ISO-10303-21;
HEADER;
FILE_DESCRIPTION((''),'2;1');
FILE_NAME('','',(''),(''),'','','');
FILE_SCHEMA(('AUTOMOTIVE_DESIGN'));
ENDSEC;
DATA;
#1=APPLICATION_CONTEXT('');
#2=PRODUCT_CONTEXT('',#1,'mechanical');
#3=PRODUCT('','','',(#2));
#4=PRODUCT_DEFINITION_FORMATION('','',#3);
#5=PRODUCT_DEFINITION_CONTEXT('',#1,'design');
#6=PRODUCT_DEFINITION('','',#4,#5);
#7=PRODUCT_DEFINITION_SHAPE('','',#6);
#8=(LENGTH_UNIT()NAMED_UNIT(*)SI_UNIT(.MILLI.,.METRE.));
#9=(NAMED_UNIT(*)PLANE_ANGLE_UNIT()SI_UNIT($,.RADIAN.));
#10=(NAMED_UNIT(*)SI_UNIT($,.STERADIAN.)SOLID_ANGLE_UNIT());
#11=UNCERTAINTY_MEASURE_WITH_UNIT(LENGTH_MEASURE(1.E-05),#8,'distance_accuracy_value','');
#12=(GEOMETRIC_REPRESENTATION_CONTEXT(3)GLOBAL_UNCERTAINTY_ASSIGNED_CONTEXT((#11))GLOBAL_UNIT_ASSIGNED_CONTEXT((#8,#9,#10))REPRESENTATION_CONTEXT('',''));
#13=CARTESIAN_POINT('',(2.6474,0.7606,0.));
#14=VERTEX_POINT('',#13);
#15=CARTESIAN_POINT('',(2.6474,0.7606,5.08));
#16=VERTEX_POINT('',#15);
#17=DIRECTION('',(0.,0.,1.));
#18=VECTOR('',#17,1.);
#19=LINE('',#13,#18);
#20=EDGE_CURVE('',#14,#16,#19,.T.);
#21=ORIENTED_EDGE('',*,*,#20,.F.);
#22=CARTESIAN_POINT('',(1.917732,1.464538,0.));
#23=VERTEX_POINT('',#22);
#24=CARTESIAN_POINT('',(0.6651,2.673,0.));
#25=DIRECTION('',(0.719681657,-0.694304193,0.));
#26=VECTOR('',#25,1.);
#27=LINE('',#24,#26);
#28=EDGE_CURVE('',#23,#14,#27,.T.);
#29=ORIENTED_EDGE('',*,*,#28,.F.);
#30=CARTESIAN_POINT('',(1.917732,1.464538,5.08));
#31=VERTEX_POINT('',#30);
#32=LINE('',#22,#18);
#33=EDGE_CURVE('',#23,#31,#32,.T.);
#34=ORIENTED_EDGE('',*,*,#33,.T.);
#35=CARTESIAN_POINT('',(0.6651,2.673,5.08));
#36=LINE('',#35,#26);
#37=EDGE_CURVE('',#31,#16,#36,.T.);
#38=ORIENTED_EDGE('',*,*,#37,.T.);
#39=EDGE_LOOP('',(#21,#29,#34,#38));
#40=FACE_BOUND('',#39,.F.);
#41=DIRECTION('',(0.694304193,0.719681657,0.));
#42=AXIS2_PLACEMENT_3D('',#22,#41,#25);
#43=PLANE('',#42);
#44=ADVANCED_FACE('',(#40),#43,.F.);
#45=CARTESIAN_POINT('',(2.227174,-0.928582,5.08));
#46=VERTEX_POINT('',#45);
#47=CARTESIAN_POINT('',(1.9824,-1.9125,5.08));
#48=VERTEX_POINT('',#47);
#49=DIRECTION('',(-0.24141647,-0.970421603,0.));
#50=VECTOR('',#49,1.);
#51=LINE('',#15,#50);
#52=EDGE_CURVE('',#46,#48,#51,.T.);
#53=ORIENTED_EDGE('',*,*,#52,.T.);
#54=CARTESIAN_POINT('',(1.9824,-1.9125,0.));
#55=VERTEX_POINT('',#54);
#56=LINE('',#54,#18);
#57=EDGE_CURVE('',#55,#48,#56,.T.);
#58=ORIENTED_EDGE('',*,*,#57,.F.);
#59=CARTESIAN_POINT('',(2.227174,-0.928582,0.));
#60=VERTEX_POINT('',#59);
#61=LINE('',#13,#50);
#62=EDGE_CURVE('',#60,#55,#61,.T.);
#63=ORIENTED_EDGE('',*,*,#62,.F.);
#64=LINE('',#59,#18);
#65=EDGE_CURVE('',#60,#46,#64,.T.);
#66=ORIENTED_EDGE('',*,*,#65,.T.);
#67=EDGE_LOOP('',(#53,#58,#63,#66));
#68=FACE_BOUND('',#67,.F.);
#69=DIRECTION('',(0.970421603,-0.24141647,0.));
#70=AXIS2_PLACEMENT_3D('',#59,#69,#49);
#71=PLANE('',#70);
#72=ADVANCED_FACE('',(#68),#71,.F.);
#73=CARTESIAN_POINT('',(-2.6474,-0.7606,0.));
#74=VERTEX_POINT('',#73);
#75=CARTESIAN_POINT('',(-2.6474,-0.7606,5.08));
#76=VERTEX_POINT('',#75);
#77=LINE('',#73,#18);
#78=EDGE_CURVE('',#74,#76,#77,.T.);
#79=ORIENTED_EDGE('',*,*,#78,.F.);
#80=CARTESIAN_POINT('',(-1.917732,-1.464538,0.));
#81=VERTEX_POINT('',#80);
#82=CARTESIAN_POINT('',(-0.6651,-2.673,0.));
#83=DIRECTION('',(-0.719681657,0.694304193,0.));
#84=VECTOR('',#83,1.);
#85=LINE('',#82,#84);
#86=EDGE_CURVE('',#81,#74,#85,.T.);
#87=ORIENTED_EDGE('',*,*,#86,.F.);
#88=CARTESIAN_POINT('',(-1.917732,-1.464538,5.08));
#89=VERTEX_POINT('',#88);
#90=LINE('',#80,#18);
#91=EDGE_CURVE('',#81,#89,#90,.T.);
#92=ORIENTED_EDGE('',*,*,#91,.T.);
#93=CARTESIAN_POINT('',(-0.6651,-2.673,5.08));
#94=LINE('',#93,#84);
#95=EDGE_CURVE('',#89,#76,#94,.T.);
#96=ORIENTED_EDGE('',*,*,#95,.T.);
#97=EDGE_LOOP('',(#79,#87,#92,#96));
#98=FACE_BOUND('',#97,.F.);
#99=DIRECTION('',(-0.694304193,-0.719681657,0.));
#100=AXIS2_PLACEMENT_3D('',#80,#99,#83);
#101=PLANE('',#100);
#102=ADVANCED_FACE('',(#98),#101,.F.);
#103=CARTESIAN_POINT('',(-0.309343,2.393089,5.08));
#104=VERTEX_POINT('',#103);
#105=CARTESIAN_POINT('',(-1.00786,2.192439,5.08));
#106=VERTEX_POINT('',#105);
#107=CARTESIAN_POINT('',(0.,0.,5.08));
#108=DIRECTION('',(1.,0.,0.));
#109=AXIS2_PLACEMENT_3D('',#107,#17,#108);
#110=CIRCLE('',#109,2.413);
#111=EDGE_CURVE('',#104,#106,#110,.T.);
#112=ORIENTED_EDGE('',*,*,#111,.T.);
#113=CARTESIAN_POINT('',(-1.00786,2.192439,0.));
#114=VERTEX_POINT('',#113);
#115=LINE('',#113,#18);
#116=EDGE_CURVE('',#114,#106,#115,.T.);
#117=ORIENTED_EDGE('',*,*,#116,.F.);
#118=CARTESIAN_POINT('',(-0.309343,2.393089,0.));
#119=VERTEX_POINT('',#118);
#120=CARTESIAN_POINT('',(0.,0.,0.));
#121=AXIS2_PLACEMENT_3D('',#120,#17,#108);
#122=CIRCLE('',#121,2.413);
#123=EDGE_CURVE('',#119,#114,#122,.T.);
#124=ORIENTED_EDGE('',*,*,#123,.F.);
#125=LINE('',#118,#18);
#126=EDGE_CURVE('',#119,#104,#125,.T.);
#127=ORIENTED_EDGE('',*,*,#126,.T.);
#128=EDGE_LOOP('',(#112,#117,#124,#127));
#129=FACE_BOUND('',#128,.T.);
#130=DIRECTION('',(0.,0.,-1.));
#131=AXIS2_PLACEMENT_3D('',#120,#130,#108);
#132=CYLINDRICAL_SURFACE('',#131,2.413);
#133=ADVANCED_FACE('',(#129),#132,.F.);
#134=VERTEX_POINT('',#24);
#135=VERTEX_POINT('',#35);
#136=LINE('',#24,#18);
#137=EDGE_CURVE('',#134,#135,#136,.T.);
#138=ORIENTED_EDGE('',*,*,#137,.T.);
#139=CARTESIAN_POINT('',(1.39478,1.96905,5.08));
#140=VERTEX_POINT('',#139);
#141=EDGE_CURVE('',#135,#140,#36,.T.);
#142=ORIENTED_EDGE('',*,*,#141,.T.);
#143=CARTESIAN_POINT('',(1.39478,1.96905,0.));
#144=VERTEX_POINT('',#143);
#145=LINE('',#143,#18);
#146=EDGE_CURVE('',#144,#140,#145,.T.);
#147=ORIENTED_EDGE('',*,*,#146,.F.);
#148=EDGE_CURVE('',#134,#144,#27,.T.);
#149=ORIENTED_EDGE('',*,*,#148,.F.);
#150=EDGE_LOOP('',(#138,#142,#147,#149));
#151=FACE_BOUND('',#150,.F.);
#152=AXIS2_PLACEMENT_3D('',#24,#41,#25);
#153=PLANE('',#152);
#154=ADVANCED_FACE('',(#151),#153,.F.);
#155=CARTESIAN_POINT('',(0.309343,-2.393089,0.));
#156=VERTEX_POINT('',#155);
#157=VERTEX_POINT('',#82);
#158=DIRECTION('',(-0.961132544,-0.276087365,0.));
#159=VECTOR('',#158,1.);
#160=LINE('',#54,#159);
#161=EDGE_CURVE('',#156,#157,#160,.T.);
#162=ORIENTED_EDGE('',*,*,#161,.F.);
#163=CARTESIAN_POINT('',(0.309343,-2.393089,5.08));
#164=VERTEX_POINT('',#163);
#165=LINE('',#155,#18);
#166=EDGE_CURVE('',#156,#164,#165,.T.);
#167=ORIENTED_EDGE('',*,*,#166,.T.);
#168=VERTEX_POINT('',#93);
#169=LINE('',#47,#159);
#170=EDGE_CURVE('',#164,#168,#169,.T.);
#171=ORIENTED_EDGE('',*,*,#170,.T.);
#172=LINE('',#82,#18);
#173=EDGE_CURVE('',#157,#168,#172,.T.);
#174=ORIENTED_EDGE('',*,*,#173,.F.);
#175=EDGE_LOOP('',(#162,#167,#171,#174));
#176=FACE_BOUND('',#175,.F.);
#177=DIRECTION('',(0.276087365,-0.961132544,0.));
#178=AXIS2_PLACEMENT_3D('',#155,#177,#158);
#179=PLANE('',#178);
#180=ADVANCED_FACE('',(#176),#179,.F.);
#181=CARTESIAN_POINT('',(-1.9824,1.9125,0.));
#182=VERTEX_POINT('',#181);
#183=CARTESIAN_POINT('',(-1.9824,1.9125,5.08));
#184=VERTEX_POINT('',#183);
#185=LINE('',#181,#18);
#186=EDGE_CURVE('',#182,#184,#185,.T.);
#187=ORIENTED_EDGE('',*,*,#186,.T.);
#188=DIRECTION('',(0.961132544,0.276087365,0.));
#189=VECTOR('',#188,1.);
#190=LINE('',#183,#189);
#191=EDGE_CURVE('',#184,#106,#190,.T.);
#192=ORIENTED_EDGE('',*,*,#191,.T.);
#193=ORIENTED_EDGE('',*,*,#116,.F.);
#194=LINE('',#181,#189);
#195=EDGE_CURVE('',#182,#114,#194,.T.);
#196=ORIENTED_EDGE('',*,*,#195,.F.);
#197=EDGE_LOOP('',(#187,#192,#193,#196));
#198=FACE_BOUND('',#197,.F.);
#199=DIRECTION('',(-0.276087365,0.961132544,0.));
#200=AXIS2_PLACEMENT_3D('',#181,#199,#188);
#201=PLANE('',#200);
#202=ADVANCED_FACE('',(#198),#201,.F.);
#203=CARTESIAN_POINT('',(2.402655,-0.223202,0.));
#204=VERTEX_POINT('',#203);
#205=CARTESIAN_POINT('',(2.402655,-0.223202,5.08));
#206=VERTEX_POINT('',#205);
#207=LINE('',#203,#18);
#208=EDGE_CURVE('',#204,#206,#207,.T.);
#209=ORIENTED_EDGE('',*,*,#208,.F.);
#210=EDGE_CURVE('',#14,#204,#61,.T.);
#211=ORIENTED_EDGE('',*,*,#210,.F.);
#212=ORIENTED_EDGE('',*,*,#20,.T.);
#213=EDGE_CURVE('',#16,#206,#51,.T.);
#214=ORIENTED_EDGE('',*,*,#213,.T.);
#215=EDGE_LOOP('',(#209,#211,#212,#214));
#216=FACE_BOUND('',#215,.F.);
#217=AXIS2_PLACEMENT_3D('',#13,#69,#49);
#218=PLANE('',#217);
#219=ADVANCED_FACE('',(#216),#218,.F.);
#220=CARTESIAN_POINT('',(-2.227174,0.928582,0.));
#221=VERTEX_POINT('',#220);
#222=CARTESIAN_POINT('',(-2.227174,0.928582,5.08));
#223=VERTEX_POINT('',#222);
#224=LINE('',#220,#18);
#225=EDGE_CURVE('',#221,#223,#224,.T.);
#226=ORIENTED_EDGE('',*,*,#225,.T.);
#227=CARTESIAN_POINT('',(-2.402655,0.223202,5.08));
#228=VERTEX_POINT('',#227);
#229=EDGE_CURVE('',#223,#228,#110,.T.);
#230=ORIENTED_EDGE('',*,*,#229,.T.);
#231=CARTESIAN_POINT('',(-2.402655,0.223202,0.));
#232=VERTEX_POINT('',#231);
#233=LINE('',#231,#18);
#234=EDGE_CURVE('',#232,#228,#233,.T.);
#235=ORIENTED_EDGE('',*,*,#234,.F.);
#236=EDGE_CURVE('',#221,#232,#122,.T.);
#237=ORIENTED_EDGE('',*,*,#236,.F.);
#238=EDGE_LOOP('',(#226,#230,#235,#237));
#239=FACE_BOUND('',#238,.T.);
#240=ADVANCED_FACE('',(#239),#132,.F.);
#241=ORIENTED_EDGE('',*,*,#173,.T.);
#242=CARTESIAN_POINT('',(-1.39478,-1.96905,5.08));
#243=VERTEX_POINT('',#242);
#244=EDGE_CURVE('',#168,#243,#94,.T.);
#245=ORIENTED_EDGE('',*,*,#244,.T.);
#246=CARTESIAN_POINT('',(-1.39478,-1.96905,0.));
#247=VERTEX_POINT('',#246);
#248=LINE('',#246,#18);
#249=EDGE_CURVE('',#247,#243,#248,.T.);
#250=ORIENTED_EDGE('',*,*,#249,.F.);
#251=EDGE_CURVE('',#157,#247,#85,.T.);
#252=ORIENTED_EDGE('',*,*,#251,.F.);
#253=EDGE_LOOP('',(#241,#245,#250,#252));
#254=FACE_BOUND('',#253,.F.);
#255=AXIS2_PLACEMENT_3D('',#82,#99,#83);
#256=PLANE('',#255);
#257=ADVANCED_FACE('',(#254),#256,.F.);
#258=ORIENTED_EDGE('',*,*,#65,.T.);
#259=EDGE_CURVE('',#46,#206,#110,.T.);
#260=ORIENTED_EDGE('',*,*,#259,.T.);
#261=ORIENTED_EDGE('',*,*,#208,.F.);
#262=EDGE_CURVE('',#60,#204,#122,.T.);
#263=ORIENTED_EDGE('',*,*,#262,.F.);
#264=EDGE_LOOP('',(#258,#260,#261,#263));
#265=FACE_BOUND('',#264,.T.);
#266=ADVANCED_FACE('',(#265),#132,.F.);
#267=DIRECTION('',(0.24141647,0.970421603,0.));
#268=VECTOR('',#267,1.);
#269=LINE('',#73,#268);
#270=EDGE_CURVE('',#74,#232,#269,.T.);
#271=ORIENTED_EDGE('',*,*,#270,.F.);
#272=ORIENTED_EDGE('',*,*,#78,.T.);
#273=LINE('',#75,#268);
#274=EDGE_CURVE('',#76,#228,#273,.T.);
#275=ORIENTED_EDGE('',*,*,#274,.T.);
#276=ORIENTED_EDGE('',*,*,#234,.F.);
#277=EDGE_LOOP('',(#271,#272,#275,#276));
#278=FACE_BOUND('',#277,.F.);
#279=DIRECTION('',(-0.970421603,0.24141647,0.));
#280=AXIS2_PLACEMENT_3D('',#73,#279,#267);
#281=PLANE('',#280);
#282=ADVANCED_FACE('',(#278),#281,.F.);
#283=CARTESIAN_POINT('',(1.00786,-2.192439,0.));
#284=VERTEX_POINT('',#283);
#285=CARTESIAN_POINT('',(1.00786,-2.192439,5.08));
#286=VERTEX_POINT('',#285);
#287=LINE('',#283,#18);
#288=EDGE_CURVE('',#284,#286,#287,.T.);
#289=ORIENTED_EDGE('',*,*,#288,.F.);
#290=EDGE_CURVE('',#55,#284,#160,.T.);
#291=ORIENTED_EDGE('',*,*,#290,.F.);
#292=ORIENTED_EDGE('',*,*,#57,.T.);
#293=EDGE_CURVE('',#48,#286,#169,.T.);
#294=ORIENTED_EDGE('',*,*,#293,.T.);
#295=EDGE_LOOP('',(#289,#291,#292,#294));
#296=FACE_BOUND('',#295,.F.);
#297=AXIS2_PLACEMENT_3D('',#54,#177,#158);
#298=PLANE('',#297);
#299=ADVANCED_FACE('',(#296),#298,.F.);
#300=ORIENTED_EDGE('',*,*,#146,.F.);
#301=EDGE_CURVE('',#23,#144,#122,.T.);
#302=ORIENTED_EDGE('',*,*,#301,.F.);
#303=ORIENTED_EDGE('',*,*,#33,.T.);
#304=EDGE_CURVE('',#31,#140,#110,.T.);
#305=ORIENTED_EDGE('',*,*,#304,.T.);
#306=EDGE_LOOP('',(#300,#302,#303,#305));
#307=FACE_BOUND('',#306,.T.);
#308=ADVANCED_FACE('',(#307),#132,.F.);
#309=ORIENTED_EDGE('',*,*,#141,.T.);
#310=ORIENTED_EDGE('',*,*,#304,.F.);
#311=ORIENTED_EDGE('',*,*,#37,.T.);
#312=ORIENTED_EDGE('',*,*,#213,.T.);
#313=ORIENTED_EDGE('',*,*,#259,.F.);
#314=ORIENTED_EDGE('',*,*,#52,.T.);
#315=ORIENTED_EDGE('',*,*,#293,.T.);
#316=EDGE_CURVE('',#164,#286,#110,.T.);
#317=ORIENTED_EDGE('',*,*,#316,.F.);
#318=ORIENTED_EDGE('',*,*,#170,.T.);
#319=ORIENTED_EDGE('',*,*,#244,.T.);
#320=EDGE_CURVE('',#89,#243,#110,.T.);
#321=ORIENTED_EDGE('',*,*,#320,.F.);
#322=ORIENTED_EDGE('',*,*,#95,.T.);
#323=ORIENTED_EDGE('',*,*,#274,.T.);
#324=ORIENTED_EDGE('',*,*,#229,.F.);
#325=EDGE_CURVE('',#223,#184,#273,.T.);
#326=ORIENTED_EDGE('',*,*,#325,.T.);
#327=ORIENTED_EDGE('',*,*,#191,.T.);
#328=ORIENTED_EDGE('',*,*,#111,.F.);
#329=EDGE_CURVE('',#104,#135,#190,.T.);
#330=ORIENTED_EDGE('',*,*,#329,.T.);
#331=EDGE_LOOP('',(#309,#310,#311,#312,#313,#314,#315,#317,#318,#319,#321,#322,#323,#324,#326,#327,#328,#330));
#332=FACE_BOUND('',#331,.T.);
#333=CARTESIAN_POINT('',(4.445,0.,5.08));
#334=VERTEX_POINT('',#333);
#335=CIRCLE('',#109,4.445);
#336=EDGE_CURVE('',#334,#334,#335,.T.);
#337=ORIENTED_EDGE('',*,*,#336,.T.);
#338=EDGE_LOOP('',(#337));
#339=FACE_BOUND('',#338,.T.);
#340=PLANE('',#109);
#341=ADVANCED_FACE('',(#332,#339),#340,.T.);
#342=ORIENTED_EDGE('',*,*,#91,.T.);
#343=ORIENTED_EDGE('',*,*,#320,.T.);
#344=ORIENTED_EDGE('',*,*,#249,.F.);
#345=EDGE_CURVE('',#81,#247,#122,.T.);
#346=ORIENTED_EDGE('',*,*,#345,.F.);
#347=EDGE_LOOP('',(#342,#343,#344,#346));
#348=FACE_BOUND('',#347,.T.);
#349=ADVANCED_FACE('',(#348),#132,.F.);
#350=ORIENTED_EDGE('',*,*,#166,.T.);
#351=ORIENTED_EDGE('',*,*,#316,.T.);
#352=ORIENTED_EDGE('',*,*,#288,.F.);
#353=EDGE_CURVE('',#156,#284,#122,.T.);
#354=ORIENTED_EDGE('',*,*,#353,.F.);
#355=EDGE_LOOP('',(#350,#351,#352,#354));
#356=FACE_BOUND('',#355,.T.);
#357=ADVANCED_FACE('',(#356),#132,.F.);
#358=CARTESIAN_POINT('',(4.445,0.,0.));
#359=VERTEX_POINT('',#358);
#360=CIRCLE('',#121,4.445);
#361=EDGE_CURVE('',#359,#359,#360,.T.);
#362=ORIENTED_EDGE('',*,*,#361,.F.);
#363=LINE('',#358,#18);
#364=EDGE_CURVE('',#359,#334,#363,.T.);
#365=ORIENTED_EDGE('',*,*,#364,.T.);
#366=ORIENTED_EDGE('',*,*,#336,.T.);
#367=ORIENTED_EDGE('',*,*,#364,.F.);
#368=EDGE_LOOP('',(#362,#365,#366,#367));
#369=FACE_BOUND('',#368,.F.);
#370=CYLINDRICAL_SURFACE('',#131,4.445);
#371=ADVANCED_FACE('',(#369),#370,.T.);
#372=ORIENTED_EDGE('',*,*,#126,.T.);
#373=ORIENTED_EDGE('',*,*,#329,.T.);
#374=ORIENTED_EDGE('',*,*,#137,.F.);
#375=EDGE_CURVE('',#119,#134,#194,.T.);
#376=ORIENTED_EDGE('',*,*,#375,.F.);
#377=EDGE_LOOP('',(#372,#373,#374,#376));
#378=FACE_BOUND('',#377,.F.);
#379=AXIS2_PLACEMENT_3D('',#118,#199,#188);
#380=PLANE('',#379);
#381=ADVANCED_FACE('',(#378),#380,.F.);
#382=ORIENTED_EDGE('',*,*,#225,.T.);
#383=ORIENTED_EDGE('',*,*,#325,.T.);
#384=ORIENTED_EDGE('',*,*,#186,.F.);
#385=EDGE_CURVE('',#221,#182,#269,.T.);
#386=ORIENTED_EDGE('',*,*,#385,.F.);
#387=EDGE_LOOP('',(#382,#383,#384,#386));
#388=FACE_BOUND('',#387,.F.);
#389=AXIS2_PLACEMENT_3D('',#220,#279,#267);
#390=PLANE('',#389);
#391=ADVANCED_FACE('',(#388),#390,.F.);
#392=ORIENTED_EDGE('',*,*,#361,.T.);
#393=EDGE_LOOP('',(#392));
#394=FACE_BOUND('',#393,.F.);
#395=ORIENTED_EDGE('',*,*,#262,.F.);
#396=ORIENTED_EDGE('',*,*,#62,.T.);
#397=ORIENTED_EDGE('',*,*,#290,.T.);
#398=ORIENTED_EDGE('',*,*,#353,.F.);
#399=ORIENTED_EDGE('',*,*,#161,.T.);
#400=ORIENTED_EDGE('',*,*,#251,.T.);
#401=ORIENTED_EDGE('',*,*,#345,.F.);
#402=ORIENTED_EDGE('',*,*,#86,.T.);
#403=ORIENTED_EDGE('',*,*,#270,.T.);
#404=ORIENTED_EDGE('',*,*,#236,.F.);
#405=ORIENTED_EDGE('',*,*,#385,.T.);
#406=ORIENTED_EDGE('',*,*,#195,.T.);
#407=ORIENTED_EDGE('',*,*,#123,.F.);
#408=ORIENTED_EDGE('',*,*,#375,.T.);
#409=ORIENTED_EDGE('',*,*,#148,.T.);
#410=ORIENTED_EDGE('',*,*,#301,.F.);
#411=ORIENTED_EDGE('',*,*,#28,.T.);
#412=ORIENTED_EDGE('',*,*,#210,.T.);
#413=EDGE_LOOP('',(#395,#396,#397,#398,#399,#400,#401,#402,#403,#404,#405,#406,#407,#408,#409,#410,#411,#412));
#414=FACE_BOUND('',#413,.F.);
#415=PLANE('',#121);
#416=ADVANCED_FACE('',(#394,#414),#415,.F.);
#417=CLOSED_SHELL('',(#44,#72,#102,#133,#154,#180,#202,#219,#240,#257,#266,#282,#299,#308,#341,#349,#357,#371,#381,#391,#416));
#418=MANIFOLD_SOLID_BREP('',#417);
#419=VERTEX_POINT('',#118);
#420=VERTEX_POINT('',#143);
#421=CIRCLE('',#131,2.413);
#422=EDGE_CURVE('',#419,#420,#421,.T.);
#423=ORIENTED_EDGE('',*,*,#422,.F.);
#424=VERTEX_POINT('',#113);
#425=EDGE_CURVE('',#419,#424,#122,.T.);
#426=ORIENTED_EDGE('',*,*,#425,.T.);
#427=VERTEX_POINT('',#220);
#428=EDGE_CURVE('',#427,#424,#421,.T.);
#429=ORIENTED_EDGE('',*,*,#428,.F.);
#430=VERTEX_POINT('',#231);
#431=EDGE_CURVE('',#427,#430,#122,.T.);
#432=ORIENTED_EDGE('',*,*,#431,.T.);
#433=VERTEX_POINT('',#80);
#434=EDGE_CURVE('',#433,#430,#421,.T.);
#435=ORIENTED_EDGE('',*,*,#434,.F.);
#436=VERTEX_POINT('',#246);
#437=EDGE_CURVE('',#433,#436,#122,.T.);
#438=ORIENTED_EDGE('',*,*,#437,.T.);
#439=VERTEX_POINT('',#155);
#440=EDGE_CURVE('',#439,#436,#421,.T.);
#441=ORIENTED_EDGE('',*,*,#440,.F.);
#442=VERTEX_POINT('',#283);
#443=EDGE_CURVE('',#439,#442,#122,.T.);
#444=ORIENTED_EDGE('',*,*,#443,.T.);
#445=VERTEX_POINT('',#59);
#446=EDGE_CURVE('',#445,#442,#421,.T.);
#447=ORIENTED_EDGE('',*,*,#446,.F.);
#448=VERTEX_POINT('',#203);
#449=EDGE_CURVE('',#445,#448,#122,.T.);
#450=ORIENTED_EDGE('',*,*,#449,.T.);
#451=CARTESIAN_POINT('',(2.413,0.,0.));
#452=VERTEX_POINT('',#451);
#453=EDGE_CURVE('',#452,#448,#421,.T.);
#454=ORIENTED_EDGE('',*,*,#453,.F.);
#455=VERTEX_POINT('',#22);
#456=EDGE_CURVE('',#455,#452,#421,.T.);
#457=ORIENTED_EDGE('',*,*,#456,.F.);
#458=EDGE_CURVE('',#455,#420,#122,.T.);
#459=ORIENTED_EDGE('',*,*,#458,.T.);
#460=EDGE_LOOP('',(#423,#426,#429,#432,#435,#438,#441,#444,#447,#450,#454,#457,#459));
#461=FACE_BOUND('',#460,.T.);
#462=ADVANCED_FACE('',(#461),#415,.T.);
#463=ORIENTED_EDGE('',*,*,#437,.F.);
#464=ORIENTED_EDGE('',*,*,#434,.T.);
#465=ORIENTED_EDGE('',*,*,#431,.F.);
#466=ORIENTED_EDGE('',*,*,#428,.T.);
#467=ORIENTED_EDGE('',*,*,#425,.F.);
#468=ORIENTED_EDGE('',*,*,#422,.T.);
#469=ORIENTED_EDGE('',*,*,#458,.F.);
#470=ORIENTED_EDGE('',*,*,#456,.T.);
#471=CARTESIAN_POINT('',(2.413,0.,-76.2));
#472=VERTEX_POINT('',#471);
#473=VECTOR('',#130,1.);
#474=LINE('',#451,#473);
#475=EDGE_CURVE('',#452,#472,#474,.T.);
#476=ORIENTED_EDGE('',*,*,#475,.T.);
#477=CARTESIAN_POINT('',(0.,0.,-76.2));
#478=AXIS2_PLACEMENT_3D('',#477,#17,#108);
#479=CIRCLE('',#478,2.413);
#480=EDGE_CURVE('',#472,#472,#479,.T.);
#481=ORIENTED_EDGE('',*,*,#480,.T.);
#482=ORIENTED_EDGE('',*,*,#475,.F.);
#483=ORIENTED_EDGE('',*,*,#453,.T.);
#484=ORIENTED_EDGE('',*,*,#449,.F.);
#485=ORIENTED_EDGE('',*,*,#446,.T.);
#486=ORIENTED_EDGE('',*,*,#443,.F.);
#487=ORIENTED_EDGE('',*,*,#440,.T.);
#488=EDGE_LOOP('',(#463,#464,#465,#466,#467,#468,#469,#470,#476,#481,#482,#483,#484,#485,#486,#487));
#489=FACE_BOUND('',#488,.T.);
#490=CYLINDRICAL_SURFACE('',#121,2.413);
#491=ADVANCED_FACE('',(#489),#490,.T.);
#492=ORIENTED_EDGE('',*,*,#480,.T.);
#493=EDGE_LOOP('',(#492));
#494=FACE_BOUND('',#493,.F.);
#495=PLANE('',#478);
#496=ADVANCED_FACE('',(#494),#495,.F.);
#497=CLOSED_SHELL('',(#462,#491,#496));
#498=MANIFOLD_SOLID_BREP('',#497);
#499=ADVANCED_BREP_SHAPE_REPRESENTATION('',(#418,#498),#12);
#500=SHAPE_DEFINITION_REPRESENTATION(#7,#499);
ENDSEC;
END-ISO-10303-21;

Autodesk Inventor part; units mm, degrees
ref_plane "YZ Plane" through (0, 0, 0) normal (1, 0, 0) x (0, 1, 0)
ref_plane "XZ Plane" through (0, 0, 0) normal (0, 1, 0) x (-1, 0, 0)
ref_plane "XY Plane" through (0, 0, 0) normal (0, 0, 1) x (1, 0, 0)
sketch "Sketch1" plane through (0, 0, 0) normal (0, 0, 1) x (1, 0, 0)
  circle A0 centre (0, 0) radius 4.445
  circle A1 centre (0, 0) radius 2.413
  line L0 (0.6651, 2.673) -> (2.6474, 0.7606)
  line L1 (2.6474, 0.7606) -> (1.9824, -1.9125)
  line L2 (1.9824, -1.9125) -> (-0.6651, -2.673)
  line L3 (-0.6651, -2.673) -> (-2.6474, -0.7606)
  line L4 (-2.6474, -0.7606) -> (-1.9824, 1.9125)
  line L5 (-1.9824, 1.9125) -> (0.6651, 2.673)
  dimension "d0" = 4.826
  dimension "d1" = 8.89
extrude "Extrusion1" add sketch "Sketch1" against normal blind 76.2 contours A1 L1 L2 L3 L4 L5 L0 | L0 A1 | A1 L1 | L5 A1 | A1 L2 | L4 A1 | A1 L3
extrude "Extrusion2" add sketch "Sketch1" along normal blind 5.08
thread "Thread1" size "10-32 UNF" class "2A" standard "ANSI Unified Screw Threads" full length
properties part number "Bolt BD Drill motor mount"
